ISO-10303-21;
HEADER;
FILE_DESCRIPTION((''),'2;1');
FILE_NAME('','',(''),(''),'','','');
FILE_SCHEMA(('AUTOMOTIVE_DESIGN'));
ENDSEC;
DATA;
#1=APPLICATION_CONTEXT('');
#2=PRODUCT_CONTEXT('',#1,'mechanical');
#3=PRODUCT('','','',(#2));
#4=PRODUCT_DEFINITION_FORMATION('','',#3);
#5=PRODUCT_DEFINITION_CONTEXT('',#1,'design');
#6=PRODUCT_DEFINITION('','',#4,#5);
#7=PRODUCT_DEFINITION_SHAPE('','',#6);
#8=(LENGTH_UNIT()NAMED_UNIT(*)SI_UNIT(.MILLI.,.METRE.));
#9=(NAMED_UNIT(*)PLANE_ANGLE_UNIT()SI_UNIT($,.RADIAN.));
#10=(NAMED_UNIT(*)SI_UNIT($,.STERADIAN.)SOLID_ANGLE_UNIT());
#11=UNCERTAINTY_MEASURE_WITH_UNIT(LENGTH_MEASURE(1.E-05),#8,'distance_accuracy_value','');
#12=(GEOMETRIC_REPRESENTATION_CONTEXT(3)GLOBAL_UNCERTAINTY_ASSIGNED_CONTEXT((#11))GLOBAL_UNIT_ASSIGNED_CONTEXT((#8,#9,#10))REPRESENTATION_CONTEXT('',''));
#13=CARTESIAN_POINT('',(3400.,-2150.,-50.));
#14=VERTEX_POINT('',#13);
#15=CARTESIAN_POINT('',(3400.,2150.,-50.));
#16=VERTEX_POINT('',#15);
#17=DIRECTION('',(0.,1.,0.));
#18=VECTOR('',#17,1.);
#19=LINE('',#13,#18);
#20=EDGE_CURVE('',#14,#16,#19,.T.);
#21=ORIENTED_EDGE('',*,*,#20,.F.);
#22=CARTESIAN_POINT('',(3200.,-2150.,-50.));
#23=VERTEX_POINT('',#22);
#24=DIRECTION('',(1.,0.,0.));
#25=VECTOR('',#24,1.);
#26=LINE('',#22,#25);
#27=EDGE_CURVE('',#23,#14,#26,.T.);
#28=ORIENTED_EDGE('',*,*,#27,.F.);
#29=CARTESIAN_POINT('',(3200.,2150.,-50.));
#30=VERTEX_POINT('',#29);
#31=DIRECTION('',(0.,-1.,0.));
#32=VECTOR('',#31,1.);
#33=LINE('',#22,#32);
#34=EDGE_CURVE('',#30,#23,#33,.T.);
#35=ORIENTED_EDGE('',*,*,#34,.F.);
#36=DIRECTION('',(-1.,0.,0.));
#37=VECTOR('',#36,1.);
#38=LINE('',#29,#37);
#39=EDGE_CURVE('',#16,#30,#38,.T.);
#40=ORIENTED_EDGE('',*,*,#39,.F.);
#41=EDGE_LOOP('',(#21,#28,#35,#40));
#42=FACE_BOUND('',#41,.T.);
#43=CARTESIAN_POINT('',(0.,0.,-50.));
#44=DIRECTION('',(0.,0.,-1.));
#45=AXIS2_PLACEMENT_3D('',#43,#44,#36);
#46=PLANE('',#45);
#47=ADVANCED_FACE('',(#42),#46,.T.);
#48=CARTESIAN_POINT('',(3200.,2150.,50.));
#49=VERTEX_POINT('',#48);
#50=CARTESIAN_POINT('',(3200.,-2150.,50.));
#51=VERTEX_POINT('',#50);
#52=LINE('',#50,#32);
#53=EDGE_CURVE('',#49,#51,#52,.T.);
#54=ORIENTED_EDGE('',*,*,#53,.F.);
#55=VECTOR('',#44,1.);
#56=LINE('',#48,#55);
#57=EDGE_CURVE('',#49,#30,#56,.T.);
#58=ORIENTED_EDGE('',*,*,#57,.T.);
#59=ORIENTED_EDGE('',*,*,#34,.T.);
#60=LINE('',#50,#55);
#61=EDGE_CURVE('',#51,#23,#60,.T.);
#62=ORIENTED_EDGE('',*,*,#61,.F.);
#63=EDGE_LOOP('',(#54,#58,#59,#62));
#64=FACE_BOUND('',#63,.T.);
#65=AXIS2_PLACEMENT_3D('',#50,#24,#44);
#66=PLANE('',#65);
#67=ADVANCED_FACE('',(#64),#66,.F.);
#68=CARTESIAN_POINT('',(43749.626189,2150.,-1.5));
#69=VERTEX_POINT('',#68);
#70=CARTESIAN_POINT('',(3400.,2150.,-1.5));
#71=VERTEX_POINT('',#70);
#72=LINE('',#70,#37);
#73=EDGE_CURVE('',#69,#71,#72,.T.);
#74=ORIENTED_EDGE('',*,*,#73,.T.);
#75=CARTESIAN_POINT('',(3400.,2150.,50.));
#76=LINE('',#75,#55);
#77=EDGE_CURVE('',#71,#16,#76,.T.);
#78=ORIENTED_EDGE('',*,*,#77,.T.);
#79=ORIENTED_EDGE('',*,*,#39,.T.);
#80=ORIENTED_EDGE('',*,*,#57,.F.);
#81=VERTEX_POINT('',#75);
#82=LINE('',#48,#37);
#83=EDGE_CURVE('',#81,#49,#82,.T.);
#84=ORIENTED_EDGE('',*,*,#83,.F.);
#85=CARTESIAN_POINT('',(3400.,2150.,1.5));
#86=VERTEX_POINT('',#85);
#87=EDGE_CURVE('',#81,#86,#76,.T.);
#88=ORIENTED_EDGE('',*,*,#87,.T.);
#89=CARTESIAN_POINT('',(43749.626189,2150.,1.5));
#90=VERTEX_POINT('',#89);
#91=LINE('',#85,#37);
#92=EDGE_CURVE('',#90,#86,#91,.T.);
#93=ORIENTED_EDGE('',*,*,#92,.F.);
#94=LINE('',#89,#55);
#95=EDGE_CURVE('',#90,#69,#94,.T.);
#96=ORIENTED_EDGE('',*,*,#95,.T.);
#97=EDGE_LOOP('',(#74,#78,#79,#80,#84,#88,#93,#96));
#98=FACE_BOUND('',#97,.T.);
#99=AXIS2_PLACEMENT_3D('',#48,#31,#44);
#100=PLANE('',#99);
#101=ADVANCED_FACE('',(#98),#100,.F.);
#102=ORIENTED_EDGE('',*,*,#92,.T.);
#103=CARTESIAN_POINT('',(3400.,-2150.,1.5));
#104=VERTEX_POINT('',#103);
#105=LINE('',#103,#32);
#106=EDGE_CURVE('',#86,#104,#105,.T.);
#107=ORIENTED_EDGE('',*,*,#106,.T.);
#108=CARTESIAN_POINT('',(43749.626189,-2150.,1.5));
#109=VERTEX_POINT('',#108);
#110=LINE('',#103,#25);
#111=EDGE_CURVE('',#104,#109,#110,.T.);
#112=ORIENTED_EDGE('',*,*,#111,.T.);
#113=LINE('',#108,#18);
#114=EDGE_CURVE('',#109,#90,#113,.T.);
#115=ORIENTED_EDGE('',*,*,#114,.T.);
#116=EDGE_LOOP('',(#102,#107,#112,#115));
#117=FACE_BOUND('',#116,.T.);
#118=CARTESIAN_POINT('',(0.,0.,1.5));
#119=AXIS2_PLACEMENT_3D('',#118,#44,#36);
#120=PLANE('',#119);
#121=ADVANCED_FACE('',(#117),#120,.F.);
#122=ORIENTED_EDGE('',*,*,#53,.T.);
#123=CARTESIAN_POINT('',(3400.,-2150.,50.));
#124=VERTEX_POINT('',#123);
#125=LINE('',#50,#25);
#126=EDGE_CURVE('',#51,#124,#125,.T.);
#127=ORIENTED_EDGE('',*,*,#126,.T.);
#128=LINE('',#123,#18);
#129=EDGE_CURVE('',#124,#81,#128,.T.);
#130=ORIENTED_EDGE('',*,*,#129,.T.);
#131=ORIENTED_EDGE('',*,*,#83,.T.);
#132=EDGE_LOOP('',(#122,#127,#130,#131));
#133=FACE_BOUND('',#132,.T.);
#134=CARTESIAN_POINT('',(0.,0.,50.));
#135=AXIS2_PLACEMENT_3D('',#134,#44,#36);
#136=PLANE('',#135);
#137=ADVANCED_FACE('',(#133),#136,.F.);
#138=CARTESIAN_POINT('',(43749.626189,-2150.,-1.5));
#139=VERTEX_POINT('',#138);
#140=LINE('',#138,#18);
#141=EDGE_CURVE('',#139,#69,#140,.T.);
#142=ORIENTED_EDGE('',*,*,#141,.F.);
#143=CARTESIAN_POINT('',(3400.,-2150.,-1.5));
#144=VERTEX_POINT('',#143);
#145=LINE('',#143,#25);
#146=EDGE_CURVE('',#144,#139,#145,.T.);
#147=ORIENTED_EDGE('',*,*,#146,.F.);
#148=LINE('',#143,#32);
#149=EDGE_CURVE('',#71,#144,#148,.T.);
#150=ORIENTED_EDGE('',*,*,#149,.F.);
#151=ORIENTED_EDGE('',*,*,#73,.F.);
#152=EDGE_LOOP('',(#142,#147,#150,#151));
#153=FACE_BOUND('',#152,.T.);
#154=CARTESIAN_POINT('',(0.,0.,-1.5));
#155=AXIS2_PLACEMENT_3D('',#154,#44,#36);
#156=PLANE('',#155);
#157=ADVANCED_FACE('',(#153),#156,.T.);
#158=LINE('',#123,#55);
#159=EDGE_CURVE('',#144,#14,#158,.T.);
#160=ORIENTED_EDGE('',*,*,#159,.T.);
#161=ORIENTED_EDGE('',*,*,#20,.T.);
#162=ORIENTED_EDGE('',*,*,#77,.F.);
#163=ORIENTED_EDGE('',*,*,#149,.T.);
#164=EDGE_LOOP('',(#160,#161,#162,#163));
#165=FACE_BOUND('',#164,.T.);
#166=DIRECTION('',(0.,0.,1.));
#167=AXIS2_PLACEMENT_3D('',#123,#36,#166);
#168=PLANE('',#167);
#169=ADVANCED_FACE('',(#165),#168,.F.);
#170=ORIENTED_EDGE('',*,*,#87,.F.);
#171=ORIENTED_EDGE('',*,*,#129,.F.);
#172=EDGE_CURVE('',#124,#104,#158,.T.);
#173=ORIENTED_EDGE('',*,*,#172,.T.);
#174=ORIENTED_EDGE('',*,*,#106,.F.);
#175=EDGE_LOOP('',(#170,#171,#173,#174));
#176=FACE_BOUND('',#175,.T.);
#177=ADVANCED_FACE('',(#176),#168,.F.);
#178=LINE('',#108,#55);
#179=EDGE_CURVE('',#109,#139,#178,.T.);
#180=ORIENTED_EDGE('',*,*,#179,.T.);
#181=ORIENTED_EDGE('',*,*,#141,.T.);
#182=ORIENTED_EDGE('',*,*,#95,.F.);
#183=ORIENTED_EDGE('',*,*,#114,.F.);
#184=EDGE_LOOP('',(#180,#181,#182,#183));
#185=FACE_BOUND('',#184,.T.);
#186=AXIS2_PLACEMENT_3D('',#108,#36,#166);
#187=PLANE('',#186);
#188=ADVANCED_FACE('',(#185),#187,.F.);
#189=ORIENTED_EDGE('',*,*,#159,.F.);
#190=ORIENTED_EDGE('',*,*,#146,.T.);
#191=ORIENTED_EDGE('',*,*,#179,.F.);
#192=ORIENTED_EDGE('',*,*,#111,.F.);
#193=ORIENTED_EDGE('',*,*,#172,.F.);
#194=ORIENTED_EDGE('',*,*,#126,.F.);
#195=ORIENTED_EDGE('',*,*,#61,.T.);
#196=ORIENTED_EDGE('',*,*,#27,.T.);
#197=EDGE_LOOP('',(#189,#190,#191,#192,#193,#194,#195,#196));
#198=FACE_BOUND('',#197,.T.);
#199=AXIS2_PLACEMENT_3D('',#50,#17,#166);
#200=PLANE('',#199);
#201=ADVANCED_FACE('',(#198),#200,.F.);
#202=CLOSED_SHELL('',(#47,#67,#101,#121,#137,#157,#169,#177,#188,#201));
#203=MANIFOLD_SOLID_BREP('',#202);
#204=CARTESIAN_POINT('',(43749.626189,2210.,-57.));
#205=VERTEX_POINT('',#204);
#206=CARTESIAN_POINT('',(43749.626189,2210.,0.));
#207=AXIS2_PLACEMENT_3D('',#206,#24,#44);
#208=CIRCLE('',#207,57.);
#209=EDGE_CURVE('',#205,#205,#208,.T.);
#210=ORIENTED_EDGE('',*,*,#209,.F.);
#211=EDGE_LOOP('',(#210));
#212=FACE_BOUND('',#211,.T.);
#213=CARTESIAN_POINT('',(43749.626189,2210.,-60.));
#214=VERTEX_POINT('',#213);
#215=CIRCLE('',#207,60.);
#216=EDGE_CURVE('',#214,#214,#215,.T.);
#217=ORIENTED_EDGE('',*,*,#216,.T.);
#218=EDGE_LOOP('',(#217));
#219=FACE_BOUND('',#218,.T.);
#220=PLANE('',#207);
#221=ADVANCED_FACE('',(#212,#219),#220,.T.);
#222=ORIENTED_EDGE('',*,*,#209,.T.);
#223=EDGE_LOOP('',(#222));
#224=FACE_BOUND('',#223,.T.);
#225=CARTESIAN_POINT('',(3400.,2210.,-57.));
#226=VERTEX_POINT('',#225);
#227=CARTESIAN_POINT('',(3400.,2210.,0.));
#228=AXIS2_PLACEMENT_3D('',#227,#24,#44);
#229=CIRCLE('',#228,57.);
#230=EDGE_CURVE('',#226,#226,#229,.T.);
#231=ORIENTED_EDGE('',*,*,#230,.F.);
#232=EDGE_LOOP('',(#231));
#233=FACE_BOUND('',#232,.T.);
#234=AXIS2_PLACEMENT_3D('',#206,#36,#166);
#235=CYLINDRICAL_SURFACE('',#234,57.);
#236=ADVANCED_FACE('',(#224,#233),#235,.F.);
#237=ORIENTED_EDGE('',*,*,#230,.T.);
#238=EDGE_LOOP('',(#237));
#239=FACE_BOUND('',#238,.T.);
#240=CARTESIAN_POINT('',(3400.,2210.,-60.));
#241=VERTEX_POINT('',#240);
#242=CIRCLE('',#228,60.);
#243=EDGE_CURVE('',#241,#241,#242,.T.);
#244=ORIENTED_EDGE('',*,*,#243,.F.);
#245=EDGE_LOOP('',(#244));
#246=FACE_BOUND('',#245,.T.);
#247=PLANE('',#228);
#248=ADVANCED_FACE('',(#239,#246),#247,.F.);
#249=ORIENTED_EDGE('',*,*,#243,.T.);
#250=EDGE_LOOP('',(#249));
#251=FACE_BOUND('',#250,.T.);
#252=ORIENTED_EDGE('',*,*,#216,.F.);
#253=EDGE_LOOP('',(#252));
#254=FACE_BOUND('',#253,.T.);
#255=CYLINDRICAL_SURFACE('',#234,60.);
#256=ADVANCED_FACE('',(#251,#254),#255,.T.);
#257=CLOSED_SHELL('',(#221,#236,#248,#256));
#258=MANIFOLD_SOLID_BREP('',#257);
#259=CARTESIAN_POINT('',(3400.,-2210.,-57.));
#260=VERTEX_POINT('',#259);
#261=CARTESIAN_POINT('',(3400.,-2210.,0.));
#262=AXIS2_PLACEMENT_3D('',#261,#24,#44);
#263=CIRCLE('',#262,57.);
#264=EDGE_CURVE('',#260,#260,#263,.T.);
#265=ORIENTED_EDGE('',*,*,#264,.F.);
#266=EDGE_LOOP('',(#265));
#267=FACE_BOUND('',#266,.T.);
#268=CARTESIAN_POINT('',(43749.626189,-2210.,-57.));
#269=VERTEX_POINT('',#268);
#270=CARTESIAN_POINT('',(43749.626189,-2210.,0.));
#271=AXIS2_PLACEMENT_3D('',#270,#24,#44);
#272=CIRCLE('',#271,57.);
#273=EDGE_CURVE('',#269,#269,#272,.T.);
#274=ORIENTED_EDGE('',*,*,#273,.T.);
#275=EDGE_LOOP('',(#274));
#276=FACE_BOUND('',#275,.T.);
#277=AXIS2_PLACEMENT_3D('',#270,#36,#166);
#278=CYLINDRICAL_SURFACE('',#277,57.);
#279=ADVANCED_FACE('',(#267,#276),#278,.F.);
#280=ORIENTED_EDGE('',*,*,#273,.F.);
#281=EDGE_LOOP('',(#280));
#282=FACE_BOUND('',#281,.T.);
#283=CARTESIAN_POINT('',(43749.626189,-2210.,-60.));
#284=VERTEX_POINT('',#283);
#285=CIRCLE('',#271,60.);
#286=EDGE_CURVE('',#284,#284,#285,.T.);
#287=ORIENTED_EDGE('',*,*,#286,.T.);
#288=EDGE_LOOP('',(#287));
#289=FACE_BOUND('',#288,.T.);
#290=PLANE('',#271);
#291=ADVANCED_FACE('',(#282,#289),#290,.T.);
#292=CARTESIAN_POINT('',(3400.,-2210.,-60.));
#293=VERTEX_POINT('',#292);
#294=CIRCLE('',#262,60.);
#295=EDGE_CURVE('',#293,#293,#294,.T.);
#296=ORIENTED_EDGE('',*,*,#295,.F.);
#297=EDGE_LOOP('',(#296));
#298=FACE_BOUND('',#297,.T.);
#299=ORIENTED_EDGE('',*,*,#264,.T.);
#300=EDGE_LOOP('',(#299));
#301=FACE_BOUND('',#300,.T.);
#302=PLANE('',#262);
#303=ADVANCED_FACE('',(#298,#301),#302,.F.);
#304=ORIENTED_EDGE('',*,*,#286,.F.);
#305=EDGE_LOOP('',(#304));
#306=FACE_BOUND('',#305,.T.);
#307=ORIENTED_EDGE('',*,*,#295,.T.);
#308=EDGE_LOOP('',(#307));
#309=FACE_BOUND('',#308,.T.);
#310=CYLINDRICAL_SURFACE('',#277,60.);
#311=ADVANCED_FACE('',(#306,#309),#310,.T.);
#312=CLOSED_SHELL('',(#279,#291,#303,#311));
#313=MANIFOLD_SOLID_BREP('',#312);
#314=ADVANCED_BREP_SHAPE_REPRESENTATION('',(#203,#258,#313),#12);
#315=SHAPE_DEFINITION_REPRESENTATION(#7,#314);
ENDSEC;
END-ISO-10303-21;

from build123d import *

# Parameters (mm, degrees)
BOSS_EXTRUDE1_START = -50
SKETCH1_W           = 200
SKETCH1_H           = 4300
BOSS_EXTRUDE1_DEPTH = 100
BOSS_EXTRUDE2_START = -1.5
SKETCH2_W           = 40349.626189349
SKETCH2_H           = 4300
BOSS_EXTRUDE2_DEPTH = 3
BOSS_EXTRUDE3_START = 3400
SKETCH3_R           = 60
SKETCH3_R_2         = 57
BOSS_EXTRUDE3_DEPTH = 40349.626189349
BOSS_EXTRUDE4_START = 3400
SKETCH4_R           = 60
SKETCH4_R_2         = 57
BOSS_EXTRUDE4_DEPTH = 40349.626189349


with BuildPart() as part:
    # Sketch1 → Boss-Extrude1 (new body)
    with BuildSketch(Plane.XY.offset(BOSS_EXTRUDE1_START)):
        with Locations((3300, 0)):
            Rectangle(SKETCH1_W, SKETCH1_H)
    extrude(amount=BOSS_EXTRUDE1_DEPTH)

    # Sketch2 → Boss-Extrude2 (add)
    with BuildSketch(Plane.XY.offset(BOSS_EXTRUDE2_START)):
        with Locations((23574.813094675, 0)):
            Rectangle(SKETCH2_W, SKETCH2_H)
    extrude(amount=BOSS_EXTRUDE2_DEPTH)


with BuildPart() as body_2:
    # Sketch3 → Boss-Extrude3 (new body)
    with BuildSketch(Plane(origin=(0, 0, 0), x_dir=(0, 0, -1), z_dir=(1, 0, 0)).offset(BOSS_EXTRUDE3_START)):
        with Locations((0, -2210)):
            Circle(SKETCH3_R)
        with Locations((0, -2210)):
            Circle(SKETCH3_R_2, mode=Mode.SUBTRACT)
    extrude(amount=BOSS_EXTRUDE3_DEPTH)


with BuildPart() as body_3:
    # Sketch4 → Boss-Extrude4 (new body)
    with BuildSketch(Plane(origin=(0, 0, 0), x_dir=(0, 0, -1), z_dir=(1, 0, 0)).offset(BOSS_EXTRUDE4_START)):
        with Locations((0, 2210)):
            Circle(SKETCH4_R)
        with Locations((0, 2210)):
            Circle(SKETCH4_R_2, mode=Mode.SUBTRACT)
    extrude(amount=BOSS_EXTRUDE4_DEPTH)


solid = Compound([part.part, body_2.part, body_3.part])
